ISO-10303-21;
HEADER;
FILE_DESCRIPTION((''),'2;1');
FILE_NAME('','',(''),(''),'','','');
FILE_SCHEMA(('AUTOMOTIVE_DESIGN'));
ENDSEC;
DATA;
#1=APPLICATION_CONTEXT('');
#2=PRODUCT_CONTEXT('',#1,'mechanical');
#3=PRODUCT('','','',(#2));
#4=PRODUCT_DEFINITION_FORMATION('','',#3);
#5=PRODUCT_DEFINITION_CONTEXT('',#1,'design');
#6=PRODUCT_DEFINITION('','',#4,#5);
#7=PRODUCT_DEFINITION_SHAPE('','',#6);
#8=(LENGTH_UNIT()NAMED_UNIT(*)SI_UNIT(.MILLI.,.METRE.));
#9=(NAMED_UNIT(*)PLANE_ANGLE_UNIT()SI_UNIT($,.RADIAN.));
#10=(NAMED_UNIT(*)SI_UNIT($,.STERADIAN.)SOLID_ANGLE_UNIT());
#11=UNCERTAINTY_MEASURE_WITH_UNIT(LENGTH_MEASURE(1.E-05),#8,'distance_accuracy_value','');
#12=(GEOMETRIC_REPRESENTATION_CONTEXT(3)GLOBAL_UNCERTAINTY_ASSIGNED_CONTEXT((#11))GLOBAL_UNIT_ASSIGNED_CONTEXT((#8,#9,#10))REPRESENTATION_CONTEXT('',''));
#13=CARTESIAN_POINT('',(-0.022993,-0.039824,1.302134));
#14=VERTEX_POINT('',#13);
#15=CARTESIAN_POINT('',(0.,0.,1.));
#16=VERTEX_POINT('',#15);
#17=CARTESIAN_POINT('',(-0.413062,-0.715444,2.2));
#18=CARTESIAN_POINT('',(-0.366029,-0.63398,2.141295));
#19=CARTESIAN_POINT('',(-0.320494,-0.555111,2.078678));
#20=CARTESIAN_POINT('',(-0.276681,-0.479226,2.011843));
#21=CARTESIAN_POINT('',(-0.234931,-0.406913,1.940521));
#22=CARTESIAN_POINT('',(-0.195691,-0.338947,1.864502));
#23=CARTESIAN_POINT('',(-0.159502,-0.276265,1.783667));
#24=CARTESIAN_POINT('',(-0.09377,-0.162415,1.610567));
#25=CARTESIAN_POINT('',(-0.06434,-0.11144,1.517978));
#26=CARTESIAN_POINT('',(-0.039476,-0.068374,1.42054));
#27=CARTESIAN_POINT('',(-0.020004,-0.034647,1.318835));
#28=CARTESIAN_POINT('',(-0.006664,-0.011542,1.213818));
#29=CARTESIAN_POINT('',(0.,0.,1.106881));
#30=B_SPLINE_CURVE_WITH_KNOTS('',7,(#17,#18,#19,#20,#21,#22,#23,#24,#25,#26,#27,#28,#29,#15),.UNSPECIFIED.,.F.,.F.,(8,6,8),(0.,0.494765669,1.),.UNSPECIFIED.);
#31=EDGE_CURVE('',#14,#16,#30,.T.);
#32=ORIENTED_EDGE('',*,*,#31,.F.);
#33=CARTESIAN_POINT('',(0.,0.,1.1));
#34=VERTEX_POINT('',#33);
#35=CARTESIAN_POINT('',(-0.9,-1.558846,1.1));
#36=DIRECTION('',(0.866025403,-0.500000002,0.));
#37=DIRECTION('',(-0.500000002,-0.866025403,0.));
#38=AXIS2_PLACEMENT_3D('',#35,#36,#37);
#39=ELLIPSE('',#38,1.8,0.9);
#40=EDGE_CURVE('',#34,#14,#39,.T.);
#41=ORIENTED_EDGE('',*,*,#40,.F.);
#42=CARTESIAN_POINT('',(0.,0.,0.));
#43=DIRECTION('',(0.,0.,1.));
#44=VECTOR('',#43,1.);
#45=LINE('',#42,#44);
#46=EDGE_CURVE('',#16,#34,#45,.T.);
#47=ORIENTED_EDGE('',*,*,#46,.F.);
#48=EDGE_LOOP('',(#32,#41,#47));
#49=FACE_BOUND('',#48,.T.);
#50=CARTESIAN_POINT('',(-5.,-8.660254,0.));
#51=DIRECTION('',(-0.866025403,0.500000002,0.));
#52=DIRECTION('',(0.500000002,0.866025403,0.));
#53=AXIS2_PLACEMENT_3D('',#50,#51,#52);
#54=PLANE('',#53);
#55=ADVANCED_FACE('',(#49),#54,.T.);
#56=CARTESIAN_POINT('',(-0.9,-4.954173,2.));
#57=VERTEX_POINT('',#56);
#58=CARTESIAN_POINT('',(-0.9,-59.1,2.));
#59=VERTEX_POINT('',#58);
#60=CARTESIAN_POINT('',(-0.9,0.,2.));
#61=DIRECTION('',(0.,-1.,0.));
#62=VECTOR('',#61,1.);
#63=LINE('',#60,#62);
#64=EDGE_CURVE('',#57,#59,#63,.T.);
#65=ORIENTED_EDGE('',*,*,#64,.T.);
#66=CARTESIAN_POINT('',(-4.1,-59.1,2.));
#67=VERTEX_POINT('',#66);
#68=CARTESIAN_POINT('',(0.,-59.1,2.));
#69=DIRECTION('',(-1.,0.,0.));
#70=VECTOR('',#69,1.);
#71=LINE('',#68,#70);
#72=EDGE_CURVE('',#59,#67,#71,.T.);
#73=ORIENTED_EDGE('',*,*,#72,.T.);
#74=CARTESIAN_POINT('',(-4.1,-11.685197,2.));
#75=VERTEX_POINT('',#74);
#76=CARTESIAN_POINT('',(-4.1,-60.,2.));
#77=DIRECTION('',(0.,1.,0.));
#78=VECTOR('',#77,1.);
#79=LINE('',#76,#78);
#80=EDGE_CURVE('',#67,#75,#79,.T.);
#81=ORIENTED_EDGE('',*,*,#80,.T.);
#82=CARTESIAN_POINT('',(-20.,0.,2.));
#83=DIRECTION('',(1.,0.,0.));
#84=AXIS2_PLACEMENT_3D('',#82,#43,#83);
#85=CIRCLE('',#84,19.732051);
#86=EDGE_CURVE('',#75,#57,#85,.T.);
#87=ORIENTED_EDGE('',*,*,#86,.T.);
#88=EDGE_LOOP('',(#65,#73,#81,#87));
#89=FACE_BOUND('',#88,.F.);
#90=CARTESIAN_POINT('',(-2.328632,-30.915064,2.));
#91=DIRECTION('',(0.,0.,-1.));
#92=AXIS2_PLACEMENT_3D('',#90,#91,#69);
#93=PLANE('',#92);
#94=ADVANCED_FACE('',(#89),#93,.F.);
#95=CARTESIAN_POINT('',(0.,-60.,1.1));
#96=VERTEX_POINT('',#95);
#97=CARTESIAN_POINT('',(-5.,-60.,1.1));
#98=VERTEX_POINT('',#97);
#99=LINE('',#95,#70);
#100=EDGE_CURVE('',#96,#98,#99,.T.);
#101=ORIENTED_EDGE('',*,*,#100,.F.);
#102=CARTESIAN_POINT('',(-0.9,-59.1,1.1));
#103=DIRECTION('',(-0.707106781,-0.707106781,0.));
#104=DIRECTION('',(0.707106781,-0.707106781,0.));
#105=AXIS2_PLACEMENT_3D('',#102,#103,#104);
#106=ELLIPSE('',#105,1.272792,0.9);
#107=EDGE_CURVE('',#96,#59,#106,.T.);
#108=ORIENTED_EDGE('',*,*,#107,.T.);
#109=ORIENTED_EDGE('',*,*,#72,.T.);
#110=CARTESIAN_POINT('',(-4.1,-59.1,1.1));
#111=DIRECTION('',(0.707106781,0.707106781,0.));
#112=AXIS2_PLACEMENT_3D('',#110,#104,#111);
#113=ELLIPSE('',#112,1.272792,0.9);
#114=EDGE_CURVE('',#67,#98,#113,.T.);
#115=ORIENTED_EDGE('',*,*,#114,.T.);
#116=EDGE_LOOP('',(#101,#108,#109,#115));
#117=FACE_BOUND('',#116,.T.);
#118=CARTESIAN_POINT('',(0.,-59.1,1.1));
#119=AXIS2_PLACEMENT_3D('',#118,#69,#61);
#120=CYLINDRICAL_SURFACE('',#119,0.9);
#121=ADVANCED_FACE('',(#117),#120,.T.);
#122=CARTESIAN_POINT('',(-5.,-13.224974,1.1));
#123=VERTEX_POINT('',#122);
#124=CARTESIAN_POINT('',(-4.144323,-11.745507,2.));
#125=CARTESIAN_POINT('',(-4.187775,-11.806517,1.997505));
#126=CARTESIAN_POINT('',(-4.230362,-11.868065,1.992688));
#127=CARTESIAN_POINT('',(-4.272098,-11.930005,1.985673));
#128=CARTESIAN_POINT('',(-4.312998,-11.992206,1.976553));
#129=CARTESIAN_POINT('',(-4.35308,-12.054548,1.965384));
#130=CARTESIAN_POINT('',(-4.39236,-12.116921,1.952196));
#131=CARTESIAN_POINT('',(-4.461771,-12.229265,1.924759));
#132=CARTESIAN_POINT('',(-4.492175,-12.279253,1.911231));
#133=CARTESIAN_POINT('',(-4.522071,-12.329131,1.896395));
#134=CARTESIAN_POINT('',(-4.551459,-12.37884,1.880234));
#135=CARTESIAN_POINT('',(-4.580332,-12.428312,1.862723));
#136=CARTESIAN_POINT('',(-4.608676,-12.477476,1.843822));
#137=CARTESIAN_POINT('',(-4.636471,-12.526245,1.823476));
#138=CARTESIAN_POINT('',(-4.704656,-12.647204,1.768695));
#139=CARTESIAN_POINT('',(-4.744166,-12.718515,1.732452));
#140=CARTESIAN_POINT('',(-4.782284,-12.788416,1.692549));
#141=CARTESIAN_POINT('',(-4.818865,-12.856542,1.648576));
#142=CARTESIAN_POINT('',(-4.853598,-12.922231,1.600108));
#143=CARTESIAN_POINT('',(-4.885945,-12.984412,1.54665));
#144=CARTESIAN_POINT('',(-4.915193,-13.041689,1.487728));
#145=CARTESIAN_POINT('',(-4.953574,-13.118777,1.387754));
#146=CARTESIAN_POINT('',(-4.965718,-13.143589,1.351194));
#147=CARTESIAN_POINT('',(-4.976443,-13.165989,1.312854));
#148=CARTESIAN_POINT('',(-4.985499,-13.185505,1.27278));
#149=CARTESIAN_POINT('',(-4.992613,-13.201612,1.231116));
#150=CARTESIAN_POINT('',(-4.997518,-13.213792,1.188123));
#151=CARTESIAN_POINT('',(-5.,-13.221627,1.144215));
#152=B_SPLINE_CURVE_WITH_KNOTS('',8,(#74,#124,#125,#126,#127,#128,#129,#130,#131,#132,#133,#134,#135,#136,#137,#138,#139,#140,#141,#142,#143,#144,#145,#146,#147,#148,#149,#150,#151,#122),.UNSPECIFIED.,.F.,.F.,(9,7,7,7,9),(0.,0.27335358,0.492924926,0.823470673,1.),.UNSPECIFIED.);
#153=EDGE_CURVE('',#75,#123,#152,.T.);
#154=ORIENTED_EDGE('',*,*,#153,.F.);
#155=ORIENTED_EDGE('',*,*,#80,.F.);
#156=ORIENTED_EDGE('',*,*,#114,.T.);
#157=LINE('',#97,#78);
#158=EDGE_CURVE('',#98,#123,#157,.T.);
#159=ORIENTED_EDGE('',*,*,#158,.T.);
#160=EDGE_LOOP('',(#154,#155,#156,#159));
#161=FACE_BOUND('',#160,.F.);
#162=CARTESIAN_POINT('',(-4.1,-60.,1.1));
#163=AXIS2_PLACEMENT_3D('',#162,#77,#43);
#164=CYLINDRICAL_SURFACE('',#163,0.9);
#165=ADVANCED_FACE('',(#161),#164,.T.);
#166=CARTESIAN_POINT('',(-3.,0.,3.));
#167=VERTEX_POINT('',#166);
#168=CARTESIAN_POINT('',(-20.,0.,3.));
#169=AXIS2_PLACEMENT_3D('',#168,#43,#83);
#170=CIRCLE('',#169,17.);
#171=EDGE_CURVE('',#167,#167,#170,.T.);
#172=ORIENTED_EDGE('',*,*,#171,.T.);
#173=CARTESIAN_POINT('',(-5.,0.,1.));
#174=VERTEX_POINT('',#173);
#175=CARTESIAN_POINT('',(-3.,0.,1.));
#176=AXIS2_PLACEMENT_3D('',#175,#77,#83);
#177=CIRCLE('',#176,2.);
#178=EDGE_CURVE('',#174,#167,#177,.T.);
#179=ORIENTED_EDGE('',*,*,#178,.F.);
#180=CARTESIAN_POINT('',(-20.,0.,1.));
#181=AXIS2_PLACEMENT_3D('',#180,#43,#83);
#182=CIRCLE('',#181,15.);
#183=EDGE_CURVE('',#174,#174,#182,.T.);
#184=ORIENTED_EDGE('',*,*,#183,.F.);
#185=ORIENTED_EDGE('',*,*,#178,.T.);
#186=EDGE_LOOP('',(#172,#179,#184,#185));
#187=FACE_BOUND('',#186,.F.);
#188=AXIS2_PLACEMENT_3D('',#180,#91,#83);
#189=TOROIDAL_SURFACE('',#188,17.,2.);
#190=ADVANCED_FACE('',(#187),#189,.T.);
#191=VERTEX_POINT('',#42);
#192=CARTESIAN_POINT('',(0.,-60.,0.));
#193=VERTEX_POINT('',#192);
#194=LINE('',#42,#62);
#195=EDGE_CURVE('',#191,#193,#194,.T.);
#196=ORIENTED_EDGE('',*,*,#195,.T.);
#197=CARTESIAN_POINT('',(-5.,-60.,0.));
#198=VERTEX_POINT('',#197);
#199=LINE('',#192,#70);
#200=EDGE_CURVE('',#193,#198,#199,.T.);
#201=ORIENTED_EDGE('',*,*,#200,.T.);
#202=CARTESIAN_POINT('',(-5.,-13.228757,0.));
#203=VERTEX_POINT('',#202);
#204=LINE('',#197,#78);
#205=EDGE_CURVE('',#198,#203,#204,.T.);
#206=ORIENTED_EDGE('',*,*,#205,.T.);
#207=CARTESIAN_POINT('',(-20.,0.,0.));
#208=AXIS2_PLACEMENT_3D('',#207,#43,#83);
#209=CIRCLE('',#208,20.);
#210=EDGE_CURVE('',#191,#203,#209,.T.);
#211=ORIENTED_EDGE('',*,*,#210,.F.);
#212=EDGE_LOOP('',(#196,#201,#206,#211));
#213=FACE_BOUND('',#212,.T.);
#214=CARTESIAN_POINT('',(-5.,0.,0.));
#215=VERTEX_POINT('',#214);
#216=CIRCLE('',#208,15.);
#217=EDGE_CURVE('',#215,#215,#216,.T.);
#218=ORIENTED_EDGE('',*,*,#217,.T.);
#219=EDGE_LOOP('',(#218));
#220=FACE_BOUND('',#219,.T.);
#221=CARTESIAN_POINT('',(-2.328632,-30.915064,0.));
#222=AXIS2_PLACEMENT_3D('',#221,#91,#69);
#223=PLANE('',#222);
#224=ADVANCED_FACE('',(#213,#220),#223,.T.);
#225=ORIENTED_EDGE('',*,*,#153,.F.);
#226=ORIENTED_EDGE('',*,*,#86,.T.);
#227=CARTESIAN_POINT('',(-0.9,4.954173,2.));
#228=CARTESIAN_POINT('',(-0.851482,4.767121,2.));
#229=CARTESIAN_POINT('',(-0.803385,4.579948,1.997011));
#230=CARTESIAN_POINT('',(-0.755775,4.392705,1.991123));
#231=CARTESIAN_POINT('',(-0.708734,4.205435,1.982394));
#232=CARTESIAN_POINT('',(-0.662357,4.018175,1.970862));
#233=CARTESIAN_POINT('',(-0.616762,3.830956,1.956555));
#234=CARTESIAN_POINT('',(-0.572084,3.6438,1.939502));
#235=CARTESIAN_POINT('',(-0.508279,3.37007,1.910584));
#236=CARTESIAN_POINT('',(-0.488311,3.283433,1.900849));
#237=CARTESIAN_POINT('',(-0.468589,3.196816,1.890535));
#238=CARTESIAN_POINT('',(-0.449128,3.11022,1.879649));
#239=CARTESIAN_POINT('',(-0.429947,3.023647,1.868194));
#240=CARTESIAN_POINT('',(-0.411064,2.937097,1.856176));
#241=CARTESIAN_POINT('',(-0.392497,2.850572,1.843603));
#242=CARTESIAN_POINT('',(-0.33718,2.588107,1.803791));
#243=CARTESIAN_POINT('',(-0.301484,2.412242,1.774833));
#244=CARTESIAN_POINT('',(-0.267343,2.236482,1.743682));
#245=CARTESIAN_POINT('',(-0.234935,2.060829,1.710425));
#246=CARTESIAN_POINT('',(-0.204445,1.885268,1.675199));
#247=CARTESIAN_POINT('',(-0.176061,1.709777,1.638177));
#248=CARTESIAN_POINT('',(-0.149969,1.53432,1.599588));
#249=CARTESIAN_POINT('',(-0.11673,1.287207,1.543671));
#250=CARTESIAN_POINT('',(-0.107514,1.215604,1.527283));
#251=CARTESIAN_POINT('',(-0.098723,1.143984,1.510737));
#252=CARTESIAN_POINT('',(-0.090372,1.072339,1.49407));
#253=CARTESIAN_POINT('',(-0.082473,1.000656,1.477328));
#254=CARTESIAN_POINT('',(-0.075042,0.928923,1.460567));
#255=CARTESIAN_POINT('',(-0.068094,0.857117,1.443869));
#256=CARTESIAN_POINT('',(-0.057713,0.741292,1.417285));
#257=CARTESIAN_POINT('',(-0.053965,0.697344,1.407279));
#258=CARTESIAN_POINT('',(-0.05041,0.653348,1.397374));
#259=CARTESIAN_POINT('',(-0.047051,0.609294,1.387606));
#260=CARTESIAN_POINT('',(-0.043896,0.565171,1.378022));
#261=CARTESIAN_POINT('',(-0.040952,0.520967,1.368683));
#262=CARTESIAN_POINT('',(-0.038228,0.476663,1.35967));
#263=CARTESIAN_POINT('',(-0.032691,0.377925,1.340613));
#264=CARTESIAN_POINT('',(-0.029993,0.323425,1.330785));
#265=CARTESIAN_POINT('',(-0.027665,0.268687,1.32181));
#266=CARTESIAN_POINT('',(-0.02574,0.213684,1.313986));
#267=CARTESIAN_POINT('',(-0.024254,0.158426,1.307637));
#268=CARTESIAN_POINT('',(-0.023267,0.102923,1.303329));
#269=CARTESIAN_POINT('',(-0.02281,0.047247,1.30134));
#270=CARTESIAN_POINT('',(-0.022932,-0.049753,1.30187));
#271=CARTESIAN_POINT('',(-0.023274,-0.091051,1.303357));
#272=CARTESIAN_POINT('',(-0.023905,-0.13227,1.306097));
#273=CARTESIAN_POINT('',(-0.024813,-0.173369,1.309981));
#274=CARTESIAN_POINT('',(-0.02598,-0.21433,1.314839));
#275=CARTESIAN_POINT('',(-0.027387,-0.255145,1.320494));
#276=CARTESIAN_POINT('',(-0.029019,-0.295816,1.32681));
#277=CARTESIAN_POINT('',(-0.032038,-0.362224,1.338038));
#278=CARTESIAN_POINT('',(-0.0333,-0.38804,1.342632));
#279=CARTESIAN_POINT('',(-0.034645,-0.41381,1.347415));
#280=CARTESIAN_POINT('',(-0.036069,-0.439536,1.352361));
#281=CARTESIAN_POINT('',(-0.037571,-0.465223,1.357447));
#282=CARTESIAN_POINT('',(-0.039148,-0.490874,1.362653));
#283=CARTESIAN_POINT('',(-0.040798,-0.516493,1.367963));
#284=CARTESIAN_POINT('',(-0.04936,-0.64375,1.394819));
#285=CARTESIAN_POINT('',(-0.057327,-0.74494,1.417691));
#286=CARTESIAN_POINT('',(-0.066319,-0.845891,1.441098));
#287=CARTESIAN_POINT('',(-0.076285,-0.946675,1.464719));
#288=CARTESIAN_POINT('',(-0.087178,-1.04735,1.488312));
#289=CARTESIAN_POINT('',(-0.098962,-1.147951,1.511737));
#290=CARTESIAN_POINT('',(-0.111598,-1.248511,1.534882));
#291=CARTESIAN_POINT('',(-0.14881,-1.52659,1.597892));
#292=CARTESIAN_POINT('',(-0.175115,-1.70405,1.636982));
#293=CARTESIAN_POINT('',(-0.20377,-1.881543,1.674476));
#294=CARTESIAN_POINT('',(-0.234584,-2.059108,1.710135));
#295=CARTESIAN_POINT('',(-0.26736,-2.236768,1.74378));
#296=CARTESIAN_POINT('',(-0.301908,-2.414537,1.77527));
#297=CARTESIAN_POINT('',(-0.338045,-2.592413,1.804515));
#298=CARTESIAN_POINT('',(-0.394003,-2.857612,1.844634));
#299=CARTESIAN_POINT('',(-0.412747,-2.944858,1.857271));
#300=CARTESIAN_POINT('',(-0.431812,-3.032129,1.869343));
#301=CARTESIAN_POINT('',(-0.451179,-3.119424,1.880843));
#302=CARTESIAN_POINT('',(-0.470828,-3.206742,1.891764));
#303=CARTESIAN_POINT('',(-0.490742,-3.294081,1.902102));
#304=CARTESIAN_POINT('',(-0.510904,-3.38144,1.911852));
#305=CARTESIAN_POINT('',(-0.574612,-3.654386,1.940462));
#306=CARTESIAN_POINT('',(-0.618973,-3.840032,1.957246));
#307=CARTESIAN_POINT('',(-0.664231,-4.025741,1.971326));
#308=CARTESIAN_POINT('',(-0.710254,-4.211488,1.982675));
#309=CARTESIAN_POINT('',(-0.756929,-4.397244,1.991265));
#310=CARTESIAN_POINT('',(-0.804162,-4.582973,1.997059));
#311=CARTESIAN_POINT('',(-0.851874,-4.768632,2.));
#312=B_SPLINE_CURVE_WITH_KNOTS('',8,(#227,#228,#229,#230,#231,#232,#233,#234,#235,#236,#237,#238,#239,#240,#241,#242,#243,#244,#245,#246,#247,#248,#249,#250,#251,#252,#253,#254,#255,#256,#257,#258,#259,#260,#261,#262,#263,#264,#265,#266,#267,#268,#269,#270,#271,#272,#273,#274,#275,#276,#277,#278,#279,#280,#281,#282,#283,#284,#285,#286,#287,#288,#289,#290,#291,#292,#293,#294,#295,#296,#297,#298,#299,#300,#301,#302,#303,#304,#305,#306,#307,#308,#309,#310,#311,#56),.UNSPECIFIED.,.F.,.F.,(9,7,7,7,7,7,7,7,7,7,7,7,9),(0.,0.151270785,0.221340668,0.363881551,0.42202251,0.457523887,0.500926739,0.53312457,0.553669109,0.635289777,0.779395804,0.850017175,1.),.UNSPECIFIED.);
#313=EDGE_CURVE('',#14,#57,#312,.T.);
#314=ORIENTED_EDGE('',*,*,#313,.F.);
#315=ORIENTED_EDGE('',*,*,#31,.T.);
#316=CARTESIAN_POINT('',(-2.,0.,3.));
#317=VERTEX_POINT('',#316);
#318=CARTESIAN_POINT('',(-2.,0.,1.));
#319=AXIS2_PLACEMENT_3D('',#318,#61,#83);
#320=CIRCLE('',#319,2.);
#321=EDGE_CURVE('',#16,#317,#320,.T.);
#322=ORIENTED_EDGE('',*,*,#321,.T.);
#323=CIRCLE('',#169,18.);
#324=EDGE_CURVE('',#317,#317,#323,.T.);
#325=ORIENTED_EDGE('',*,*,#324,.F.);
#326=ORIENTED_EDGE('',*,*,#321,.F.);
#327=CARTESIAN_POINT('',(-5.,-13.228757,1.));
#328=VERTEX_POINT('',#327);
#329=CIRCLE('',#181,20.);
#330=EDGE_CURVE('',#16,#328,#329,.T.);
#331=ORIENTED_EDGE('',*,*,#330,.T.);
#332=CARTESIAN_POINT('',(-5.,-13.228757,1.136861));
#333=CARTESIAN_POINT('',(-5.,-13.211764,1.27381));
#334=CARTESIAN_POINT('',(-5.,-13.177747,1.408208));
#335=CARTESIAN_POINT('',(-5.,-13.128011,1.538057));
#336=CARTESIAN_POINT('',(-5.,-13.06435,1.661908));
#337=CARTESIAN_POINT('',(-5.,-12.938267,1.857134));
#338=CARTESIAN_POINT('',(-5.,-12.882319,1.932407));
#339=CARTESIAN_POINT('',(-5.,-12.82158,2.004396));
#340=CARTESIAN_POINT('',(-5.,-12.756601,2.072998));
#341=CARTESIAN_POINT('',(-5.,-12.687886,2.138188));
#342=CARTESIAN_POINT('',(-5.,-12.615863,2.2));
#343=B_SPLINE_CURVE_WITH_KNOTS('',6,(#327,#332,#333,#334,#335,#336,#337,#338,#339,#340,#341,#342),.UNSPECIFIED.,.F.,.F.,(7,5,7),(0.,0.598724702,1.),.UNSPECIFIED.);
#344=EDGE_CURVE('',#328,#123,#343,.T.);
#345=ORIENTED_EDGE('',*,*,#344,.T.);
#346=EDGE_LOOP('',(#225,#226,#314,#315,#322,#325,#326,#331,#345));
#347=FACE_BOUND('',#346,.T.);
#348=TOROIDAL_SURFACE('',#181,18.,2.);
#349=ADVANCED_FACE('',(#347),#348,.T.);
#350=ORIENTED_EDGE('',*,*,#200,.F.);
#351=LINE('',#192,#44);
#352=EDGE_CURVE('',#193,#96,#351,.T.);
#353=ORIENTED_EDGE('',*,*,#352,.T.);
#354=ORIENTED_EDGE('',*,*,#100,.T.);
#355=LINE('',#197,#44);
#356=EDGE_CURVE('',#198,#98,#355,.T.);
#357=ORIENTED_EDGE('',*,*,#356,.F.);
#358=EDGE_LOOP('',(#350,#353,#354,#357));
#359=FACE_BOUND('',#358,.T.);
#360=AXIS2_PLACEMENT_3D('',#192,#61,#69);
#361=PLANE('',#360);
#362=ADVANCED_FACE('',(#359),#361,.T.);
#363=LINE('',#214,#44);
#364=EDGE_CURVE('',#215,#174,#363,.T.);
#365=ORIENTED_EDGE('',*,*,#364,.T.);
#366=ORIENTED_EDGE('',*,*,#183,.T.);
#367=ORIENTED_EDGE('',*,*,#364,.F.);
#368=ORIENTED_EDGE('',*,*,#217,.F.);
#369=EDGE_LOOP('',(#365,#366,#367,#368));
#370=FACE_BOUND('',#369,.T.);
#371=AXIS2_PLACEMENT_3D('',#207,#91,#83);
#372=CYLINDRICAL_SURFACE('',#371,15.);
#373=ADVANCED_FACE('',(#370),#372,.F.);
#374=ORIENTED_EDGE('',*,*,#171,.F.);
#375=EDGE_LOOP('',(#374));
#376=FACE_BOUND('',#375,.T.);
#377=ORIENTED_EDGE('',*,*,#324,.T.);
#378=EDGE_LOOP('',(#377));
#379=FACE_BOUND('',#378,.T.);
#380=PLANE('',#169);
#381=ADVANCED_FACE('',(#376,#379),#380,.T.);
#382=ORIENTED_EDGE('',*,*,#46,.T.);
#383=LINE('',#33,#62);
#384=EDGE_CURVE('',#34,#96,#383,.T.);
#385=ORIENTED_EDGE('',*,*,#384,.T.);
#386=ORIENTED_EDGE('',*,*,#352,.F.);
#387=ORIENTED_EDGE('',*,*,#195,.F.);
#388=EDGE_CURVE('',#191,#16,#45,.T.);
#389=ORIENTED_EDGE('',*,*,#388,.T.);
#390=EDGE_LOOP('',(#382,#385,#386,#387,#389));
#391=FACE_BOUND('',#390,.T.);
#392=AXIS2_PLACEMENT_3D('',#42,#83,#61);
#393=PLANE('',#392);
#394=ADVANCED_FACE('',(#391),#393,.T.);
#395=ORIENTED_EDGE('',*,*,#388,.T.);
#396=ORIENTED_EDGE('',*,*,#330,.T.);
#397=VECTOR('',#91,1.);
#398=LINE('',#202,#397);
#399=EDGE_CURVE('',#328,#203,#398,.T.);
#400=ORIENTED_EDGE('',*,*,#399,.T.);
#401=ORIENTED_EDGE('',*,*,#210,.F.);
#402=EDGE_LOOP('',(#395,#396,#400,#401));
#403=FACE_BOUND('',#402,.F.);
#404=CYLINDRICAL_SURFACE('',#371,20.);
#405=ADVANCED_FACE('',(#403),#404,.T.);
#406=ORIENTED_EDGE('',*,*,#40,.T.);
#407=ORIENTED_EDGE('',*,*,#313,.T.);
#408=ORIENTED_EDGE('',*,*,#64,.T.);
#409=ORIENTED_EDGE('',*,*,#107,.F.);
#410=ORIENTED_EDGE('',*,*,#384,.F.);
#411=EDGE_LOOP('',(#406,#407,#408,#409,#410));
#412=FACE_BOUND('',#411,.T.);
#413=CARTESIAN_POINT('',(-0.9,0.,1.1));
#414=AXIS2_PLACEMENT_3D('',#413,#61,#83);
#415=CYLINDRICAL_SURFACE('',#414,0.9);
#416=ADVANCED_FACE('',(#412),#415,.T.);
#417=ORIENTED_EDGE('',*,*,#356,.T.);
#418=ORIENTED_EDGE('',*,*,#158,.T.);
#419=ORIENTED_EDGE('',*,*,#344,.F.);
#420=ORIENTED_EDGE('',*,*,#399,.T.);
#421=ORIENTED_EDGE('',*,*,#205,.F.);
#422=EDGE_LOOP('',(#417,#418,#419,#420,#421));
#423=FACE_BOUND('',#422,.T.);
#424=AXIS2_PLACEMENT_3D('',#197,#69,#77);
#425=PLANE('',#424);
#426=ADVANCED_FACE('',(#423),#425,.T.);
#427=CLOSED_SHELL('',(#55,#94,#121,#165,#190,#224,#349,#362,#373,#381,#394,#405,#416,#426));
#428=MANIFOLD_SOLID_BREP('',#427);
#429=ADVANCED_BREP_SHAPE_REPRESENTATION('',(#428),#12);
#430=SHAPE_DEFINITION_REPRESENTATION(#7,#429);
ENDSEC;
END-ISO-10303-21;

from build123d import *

# Parameters (mm, degrees)
SKETCH_R     = 20
SKETCH_R_2   = 15
PAD_DEPTH    = 3
FILLET_R     = 2
PAD001_DEPTH = 2
FILLET001_R  = 0.9


with BuildPart() as part:
    # Sketch → Pad (new body)
    with BuildSketch(Plane.XY):
        with Locations((-20, 0)):
            Circle(SKETCH_R)
        with Locations((-20, 0)):
            Circle(SKETCH_R_2, mode=Mode.SUBTRACT)
    extrude(amount=PAD_DEPTH)

    # Fillet
    fillet_edges = [part.edges().sort_by_distance(p)[0] for p in [
        (-40, 0, 3),
        (-35, 0, 3),
    ]]
    fillet(fillet_edges, radius=FILLET_R)

    # Sketch001 → Pad001 (join)
    with BuildSketch(Plane.XY):
        Polygon((0, 0), (0, -60), (-5, -60), (-5, -8.660254), align=None)
    extrude(amount=PAD001_DEPTH)

    # Fillet001
    fillet001_edges = [part.edges().sort_by_distance(p)[0] for p in [
        (-5, -36.410028, 2),
        (0, -30, 2),
        (-2.5, -60, 2),
    ]]
    fillet(fillet001_edges, radius=FILLET001_R)


solid = part.part
